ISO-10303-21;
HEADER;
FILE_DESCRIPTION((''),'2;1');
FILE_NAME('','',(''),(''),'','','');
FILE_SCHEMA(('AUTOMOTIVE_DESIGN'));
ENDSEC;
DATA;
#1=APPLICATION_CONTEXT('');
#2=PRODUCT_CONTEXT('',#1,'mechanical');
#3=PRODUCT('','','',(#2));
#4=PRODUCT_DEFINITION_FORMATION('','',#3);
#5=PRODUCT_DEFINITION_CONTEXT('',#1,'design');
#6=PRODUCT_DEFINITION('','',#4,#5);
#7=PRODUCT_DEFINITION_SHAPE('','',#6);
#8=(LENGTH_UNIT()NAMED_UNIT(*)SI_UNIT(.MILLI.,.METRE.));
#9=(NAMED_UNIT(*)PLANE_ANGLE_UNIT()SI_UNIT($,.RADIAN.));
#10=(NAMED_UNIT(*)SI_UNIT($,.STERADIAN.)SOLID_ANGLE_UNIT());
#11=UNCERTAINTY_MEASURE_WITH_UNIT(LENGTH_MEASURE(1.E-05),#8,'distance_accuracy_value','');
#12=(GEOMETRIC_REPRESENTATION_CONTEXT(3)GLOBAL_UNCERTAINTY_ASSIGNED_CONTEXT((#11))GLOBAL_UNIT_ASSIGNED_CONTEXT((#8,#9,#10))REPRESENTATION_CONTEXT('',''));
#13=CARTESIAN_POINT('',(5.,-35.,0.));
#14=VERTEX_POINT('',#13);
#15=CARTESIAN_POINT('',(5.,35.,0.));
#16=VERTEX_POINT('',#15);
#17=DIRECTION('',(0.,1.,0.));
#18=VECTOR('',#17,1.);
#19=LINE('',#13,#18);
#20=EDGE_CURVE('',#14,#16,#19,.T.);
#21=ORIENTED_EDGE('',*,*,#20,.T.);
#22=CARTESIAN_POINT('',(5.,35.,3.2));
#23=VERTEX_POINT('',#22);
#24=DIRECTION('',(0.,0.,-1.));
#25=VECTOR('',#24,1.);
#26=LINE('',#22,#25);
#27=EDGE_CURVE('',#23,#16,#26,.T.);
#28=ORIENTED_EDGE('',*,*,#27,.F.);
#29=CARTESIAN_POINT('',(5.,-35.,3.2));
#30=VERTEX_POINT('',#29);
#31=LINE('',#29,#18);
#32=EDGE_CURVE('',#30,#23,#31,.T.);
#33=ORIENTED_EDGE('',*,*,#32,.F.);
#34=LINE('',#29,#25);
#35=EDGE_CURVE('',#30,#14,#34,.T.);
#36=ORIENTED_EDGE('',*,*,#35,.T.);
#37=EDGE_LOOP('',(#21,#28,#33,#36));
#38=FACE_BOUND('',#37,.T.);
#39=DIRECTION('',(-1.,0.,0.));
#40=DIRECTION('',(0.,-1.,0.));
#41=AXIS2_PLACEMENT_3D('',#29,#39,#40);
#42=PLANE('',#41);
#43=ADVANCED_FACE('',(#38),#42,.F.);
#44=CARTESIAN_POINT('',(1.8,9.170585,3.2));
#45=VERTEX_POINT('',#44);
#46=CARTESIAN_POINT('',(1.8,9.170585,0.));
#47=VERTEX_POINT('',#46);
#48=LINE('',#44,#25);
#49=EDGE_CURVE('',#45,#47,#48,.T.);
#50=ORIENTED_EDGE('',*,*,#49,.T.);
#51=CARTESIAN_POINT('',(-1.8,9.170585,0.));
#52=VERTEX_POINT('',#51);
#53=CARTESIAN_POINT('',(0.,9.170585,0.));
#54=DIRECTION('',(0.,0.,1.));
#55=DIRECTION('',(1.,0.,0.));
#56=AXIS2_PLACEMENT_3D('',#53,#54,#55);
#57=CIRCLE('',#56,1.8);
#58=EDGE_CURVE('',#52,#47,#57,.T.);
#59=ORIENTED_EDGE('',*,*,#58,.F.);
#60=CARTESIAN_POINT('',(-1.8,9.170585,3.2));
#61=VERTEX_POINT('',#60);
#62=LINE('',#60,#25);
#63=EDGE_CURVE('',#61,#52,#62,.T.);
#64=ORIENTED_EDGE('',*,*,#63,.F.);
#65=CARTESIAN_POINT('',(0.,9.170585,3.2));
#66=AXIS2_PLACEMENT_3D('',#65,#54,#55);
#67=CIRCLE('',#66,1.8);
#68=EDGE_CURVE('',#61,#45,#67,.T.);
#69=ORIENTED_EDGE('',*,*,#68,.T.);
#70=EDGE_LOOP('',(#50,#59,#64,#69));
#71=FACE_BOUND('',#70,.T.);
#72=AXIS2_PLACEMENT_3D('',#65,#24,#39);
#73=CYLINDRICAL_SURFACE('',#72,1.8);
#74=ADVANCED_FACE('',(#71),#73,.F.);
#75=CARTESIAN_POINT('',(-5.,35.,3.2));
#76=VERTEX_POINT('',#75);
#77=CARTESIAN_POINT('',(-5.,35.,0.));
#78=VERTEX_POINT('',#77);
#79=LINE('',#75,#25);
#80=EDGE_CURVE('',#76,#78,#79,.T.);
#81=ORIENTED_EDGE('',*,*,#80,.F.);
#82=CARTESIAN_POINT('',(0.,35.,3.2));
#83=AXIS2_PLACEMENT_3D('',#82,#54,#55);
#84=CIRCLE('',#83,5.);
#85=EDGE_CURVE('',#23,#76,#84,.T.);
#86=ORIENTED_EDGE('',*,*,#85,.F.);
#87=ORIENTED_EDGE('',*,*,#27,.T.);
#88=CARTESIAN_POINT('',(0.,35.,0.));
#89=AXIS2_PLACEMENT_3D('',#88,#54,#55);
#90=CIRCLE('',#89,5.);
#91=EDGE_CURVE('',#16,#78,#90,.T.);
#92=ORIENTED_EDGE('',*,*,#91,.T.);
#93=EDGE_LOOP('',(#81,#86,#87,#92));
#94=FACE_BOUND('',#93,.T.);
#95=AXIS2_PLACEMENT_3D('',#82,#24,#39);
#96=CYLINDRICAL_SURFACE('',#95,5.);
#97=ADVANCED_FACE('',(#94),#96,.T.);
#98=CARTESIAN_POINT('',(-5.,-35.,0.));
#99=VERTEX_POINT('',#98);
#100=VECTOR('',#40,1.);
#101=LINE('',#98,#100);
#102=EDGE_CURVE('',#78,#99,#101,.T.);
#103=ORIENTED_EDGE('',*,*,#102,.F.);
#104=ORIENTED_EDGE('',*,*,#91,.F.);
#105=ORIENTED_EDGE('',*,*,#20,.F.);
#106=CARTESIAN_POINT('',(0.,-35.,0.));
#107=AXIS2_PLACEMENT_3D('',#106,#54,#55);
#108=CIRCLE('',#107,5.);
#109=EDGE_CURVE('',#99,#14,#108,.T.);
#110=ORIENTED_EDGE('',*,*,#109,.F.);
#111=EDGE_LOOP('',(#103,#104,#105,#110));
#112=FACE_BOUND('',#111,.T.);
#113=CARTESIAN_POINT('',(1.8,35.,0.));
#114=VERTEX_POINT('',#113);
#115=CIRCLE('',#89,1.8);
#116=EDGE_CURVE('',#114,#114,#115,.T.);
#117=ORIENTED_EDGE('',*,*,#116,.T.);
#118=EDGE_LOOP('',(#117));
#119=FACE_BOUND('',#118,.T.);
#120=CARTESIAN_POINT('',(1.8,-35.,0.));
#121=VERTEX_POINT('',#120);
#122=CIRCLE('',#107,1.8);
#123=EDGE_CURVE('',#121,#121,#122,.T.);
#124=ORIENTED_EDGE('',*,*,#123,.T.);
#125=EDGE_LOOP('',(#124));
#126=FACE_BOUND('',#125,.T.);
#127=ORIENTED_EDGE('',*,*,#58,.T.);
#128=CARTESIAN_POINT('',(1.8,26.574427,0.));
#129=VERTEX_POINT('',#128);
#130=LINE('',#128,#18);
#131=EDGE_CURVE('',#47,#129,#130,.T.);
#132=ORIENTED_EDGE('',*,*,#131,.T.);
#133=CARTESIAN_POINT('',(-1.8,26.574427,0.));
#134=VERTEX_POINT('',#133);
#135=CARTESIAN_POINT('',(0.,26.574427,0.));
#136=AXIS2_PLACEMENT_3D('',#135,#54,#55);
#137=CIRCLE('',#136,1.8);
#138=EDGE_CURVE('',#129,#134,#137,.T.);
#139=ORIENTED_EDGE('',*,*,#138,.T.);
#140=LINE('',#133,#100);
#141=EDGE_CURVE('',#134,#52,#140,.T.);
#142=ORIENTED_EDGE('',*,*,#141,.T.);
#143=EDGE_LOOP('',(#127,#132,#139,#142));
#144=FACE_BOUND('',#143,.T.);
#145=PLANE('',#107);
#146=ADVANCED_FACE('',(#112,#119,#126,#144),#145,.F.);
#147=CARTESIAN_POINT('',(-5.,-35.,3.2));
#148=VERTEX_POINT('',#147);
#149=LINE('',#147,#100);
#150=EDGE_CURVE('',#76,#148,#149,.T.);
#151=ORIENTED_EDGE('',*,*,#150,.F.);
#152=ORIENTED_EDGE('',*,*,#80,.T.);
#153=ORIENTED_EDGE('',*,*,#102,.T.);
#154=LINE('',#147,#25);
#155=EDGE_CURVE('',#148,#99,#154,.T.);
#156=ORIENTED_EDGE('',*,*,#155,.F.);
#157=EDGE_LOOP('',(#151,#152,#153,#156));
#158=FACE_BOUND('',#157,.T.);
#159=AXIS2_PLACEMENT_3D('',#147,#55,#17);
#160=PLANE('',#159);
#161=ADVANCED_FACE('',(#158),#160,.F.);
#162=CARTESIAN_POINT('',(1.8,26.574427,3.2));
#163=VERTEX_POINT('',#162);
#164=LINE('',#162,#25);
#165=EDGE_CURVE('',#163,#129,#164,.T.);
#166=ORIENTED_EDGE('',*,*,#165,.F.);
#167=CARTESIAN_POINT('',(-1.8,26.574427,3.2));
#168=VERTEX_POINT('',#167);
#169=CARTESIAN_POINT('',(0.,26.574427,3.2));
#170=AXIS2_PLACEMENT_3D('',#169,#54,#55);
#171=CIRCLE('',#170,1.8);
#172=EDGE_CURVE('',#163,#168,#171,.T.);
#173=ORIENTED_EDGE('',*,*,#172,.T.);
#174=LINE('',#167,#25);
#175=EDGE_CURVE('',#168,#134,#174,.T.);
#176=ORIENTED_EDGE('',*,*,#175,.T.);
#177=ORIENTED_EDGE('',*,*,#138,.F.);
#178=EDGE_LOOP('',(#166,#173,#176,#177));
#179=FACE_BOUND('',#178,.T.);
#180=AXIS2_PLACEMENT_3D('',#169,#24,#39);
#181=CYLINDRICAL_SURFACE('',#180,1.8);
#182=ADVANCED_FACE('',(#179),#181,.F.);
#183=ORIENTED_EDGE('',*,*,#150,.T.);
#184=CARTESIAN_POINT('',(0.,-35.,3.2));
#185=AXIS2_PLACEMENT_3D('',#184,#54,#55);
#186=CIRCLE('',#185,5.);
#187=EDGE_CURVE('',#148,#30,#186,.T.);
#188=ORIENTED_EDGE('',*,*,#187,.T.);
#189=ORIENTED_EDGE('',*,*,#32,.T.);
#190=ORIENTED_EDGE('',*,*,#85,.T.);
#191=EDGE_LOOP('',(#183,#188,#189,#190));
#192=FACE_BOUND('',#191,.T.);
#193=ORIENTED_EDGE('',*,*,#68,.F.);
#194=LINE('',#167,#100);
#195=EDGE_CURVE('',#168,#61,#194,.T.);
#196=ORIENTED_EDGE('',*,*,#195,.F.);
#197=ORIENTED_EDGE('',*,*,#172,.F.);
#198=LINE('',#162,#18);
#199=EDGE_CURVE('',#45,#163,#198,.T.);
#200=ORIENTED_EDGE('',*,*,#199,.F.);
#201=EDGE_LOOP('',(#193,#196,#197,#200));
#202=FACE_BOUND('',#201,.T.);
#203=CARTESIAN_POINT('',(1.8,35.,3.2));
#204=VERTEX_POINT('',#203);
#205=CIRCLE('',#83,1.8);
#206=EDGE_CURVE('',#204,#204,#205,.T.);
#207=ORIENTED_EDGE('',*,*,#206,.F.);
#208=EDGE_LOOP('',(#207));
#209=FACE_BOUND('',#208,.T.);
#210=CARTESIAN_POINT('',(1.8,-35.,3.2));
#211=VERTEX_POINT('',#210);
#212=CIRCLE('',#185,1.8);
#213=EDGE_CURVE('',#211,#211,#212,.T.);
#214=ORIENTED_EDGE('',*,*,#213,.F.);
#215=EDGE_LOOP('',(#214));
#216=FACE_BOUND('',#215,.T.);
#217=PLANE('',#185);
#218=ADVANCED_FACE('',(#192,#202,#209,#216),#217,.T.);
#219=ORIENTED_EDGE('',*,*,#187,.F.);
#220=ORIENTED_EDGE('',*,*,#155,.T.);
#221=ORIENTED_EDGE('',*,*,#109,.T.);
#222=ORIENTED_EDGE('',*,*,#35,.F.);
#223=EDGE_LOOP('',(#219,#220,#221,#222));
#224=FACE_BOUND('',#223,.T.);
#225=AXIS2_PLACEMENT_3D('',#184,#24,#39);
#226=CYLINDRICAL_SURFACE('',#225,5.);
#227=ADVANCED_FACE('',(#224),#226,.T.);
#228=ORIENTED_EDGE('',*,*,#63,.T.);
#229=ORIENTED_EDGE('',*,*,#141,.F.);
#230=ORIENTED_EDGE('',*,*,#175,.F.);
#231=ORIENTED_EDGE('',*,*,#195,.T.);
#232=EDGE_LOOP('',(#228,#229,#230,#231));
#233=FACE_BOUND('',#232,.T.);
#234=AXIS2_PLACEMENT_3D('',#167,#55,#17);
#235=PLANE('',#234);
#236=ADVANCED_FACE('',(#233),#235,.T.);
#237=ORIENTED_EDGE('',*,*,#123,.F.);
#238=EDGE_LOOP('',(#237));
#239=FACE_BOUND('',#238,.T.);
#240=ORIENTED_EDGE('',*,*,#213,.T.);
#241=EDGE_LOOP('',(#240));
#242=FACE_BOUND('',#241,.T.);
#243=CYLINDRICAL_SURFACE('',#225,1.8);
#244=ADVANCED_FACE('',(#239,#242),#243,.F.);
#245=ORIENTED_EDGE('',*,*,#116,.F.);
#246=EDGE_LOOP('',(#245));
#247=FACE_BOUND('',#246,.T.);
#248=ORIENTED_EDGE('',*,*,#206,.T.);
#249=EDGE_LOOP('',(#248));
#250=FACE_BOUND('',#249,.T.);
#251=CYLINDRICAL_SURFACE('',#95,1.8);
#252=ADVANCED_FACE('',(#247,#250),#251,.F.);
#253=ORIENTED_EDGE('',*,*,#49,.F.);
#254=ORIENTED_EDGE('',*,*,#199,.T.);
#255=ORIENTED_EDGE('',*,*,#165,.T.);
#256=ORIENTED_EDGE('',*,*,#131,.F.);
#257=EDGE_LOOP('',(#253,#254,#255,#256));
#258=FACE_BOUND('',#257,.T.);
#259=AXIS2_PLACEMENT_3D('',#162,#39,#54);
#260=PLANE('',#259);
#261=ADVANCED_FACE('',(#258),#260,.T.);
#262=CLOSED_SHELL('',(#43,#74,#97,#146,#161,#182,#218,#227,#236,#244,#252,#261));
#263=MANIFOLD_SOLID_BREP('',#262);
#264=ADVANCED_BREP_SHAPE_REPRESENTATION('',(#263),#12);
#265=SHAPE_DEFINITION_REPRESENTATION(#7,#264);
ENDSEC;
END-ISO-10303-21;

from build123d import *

# Parameters (mm, degrees)
SKETCH1_R           = 1.8
BOSS_EXTRUDE1_DEPTH = 3.2


with BuildPart() as part:
    # Sketch1 → Boss-Extrude1 (new body)
    with BuildSketch(Plane.XY):
        with BuildLine():
            Line((-5, -35), (-5, 35))
            ThreePointArc((-5, 35), (0, 40), (5, 35))
            Line((5, 35), (5, -35))
            ThreePointArc((5, -35), (0, -40), (-5, -35))
        make_face()
        with Locations((0, 35)):
            Circle(SKETCH1_R, mode=Mode.SUBTRACT)
        with Locations((0, -35)):
            Circle(SKETCH1_R, mode=Mode.SUBTRACT)
        with BuildLine():
            Line((1.8, 26.574427131), (1.8, 9.170584538))
            ThreePointArc((1.8, 9.170584538), (0, 7.370584538), (-1.8, 9.170584538))
            Line((-1.8, 9.170584538), (-1.8, 26.574427131))
            ThreePointArc((-1.8, 26.574427131), (0, 28.374427131), (1.8, 26.574427131))
        make_face(mode=Mode.SUBTRACT)
    extrude(amount=BOSS_EXTRUDE1_DEPTH)


solid = part.part
